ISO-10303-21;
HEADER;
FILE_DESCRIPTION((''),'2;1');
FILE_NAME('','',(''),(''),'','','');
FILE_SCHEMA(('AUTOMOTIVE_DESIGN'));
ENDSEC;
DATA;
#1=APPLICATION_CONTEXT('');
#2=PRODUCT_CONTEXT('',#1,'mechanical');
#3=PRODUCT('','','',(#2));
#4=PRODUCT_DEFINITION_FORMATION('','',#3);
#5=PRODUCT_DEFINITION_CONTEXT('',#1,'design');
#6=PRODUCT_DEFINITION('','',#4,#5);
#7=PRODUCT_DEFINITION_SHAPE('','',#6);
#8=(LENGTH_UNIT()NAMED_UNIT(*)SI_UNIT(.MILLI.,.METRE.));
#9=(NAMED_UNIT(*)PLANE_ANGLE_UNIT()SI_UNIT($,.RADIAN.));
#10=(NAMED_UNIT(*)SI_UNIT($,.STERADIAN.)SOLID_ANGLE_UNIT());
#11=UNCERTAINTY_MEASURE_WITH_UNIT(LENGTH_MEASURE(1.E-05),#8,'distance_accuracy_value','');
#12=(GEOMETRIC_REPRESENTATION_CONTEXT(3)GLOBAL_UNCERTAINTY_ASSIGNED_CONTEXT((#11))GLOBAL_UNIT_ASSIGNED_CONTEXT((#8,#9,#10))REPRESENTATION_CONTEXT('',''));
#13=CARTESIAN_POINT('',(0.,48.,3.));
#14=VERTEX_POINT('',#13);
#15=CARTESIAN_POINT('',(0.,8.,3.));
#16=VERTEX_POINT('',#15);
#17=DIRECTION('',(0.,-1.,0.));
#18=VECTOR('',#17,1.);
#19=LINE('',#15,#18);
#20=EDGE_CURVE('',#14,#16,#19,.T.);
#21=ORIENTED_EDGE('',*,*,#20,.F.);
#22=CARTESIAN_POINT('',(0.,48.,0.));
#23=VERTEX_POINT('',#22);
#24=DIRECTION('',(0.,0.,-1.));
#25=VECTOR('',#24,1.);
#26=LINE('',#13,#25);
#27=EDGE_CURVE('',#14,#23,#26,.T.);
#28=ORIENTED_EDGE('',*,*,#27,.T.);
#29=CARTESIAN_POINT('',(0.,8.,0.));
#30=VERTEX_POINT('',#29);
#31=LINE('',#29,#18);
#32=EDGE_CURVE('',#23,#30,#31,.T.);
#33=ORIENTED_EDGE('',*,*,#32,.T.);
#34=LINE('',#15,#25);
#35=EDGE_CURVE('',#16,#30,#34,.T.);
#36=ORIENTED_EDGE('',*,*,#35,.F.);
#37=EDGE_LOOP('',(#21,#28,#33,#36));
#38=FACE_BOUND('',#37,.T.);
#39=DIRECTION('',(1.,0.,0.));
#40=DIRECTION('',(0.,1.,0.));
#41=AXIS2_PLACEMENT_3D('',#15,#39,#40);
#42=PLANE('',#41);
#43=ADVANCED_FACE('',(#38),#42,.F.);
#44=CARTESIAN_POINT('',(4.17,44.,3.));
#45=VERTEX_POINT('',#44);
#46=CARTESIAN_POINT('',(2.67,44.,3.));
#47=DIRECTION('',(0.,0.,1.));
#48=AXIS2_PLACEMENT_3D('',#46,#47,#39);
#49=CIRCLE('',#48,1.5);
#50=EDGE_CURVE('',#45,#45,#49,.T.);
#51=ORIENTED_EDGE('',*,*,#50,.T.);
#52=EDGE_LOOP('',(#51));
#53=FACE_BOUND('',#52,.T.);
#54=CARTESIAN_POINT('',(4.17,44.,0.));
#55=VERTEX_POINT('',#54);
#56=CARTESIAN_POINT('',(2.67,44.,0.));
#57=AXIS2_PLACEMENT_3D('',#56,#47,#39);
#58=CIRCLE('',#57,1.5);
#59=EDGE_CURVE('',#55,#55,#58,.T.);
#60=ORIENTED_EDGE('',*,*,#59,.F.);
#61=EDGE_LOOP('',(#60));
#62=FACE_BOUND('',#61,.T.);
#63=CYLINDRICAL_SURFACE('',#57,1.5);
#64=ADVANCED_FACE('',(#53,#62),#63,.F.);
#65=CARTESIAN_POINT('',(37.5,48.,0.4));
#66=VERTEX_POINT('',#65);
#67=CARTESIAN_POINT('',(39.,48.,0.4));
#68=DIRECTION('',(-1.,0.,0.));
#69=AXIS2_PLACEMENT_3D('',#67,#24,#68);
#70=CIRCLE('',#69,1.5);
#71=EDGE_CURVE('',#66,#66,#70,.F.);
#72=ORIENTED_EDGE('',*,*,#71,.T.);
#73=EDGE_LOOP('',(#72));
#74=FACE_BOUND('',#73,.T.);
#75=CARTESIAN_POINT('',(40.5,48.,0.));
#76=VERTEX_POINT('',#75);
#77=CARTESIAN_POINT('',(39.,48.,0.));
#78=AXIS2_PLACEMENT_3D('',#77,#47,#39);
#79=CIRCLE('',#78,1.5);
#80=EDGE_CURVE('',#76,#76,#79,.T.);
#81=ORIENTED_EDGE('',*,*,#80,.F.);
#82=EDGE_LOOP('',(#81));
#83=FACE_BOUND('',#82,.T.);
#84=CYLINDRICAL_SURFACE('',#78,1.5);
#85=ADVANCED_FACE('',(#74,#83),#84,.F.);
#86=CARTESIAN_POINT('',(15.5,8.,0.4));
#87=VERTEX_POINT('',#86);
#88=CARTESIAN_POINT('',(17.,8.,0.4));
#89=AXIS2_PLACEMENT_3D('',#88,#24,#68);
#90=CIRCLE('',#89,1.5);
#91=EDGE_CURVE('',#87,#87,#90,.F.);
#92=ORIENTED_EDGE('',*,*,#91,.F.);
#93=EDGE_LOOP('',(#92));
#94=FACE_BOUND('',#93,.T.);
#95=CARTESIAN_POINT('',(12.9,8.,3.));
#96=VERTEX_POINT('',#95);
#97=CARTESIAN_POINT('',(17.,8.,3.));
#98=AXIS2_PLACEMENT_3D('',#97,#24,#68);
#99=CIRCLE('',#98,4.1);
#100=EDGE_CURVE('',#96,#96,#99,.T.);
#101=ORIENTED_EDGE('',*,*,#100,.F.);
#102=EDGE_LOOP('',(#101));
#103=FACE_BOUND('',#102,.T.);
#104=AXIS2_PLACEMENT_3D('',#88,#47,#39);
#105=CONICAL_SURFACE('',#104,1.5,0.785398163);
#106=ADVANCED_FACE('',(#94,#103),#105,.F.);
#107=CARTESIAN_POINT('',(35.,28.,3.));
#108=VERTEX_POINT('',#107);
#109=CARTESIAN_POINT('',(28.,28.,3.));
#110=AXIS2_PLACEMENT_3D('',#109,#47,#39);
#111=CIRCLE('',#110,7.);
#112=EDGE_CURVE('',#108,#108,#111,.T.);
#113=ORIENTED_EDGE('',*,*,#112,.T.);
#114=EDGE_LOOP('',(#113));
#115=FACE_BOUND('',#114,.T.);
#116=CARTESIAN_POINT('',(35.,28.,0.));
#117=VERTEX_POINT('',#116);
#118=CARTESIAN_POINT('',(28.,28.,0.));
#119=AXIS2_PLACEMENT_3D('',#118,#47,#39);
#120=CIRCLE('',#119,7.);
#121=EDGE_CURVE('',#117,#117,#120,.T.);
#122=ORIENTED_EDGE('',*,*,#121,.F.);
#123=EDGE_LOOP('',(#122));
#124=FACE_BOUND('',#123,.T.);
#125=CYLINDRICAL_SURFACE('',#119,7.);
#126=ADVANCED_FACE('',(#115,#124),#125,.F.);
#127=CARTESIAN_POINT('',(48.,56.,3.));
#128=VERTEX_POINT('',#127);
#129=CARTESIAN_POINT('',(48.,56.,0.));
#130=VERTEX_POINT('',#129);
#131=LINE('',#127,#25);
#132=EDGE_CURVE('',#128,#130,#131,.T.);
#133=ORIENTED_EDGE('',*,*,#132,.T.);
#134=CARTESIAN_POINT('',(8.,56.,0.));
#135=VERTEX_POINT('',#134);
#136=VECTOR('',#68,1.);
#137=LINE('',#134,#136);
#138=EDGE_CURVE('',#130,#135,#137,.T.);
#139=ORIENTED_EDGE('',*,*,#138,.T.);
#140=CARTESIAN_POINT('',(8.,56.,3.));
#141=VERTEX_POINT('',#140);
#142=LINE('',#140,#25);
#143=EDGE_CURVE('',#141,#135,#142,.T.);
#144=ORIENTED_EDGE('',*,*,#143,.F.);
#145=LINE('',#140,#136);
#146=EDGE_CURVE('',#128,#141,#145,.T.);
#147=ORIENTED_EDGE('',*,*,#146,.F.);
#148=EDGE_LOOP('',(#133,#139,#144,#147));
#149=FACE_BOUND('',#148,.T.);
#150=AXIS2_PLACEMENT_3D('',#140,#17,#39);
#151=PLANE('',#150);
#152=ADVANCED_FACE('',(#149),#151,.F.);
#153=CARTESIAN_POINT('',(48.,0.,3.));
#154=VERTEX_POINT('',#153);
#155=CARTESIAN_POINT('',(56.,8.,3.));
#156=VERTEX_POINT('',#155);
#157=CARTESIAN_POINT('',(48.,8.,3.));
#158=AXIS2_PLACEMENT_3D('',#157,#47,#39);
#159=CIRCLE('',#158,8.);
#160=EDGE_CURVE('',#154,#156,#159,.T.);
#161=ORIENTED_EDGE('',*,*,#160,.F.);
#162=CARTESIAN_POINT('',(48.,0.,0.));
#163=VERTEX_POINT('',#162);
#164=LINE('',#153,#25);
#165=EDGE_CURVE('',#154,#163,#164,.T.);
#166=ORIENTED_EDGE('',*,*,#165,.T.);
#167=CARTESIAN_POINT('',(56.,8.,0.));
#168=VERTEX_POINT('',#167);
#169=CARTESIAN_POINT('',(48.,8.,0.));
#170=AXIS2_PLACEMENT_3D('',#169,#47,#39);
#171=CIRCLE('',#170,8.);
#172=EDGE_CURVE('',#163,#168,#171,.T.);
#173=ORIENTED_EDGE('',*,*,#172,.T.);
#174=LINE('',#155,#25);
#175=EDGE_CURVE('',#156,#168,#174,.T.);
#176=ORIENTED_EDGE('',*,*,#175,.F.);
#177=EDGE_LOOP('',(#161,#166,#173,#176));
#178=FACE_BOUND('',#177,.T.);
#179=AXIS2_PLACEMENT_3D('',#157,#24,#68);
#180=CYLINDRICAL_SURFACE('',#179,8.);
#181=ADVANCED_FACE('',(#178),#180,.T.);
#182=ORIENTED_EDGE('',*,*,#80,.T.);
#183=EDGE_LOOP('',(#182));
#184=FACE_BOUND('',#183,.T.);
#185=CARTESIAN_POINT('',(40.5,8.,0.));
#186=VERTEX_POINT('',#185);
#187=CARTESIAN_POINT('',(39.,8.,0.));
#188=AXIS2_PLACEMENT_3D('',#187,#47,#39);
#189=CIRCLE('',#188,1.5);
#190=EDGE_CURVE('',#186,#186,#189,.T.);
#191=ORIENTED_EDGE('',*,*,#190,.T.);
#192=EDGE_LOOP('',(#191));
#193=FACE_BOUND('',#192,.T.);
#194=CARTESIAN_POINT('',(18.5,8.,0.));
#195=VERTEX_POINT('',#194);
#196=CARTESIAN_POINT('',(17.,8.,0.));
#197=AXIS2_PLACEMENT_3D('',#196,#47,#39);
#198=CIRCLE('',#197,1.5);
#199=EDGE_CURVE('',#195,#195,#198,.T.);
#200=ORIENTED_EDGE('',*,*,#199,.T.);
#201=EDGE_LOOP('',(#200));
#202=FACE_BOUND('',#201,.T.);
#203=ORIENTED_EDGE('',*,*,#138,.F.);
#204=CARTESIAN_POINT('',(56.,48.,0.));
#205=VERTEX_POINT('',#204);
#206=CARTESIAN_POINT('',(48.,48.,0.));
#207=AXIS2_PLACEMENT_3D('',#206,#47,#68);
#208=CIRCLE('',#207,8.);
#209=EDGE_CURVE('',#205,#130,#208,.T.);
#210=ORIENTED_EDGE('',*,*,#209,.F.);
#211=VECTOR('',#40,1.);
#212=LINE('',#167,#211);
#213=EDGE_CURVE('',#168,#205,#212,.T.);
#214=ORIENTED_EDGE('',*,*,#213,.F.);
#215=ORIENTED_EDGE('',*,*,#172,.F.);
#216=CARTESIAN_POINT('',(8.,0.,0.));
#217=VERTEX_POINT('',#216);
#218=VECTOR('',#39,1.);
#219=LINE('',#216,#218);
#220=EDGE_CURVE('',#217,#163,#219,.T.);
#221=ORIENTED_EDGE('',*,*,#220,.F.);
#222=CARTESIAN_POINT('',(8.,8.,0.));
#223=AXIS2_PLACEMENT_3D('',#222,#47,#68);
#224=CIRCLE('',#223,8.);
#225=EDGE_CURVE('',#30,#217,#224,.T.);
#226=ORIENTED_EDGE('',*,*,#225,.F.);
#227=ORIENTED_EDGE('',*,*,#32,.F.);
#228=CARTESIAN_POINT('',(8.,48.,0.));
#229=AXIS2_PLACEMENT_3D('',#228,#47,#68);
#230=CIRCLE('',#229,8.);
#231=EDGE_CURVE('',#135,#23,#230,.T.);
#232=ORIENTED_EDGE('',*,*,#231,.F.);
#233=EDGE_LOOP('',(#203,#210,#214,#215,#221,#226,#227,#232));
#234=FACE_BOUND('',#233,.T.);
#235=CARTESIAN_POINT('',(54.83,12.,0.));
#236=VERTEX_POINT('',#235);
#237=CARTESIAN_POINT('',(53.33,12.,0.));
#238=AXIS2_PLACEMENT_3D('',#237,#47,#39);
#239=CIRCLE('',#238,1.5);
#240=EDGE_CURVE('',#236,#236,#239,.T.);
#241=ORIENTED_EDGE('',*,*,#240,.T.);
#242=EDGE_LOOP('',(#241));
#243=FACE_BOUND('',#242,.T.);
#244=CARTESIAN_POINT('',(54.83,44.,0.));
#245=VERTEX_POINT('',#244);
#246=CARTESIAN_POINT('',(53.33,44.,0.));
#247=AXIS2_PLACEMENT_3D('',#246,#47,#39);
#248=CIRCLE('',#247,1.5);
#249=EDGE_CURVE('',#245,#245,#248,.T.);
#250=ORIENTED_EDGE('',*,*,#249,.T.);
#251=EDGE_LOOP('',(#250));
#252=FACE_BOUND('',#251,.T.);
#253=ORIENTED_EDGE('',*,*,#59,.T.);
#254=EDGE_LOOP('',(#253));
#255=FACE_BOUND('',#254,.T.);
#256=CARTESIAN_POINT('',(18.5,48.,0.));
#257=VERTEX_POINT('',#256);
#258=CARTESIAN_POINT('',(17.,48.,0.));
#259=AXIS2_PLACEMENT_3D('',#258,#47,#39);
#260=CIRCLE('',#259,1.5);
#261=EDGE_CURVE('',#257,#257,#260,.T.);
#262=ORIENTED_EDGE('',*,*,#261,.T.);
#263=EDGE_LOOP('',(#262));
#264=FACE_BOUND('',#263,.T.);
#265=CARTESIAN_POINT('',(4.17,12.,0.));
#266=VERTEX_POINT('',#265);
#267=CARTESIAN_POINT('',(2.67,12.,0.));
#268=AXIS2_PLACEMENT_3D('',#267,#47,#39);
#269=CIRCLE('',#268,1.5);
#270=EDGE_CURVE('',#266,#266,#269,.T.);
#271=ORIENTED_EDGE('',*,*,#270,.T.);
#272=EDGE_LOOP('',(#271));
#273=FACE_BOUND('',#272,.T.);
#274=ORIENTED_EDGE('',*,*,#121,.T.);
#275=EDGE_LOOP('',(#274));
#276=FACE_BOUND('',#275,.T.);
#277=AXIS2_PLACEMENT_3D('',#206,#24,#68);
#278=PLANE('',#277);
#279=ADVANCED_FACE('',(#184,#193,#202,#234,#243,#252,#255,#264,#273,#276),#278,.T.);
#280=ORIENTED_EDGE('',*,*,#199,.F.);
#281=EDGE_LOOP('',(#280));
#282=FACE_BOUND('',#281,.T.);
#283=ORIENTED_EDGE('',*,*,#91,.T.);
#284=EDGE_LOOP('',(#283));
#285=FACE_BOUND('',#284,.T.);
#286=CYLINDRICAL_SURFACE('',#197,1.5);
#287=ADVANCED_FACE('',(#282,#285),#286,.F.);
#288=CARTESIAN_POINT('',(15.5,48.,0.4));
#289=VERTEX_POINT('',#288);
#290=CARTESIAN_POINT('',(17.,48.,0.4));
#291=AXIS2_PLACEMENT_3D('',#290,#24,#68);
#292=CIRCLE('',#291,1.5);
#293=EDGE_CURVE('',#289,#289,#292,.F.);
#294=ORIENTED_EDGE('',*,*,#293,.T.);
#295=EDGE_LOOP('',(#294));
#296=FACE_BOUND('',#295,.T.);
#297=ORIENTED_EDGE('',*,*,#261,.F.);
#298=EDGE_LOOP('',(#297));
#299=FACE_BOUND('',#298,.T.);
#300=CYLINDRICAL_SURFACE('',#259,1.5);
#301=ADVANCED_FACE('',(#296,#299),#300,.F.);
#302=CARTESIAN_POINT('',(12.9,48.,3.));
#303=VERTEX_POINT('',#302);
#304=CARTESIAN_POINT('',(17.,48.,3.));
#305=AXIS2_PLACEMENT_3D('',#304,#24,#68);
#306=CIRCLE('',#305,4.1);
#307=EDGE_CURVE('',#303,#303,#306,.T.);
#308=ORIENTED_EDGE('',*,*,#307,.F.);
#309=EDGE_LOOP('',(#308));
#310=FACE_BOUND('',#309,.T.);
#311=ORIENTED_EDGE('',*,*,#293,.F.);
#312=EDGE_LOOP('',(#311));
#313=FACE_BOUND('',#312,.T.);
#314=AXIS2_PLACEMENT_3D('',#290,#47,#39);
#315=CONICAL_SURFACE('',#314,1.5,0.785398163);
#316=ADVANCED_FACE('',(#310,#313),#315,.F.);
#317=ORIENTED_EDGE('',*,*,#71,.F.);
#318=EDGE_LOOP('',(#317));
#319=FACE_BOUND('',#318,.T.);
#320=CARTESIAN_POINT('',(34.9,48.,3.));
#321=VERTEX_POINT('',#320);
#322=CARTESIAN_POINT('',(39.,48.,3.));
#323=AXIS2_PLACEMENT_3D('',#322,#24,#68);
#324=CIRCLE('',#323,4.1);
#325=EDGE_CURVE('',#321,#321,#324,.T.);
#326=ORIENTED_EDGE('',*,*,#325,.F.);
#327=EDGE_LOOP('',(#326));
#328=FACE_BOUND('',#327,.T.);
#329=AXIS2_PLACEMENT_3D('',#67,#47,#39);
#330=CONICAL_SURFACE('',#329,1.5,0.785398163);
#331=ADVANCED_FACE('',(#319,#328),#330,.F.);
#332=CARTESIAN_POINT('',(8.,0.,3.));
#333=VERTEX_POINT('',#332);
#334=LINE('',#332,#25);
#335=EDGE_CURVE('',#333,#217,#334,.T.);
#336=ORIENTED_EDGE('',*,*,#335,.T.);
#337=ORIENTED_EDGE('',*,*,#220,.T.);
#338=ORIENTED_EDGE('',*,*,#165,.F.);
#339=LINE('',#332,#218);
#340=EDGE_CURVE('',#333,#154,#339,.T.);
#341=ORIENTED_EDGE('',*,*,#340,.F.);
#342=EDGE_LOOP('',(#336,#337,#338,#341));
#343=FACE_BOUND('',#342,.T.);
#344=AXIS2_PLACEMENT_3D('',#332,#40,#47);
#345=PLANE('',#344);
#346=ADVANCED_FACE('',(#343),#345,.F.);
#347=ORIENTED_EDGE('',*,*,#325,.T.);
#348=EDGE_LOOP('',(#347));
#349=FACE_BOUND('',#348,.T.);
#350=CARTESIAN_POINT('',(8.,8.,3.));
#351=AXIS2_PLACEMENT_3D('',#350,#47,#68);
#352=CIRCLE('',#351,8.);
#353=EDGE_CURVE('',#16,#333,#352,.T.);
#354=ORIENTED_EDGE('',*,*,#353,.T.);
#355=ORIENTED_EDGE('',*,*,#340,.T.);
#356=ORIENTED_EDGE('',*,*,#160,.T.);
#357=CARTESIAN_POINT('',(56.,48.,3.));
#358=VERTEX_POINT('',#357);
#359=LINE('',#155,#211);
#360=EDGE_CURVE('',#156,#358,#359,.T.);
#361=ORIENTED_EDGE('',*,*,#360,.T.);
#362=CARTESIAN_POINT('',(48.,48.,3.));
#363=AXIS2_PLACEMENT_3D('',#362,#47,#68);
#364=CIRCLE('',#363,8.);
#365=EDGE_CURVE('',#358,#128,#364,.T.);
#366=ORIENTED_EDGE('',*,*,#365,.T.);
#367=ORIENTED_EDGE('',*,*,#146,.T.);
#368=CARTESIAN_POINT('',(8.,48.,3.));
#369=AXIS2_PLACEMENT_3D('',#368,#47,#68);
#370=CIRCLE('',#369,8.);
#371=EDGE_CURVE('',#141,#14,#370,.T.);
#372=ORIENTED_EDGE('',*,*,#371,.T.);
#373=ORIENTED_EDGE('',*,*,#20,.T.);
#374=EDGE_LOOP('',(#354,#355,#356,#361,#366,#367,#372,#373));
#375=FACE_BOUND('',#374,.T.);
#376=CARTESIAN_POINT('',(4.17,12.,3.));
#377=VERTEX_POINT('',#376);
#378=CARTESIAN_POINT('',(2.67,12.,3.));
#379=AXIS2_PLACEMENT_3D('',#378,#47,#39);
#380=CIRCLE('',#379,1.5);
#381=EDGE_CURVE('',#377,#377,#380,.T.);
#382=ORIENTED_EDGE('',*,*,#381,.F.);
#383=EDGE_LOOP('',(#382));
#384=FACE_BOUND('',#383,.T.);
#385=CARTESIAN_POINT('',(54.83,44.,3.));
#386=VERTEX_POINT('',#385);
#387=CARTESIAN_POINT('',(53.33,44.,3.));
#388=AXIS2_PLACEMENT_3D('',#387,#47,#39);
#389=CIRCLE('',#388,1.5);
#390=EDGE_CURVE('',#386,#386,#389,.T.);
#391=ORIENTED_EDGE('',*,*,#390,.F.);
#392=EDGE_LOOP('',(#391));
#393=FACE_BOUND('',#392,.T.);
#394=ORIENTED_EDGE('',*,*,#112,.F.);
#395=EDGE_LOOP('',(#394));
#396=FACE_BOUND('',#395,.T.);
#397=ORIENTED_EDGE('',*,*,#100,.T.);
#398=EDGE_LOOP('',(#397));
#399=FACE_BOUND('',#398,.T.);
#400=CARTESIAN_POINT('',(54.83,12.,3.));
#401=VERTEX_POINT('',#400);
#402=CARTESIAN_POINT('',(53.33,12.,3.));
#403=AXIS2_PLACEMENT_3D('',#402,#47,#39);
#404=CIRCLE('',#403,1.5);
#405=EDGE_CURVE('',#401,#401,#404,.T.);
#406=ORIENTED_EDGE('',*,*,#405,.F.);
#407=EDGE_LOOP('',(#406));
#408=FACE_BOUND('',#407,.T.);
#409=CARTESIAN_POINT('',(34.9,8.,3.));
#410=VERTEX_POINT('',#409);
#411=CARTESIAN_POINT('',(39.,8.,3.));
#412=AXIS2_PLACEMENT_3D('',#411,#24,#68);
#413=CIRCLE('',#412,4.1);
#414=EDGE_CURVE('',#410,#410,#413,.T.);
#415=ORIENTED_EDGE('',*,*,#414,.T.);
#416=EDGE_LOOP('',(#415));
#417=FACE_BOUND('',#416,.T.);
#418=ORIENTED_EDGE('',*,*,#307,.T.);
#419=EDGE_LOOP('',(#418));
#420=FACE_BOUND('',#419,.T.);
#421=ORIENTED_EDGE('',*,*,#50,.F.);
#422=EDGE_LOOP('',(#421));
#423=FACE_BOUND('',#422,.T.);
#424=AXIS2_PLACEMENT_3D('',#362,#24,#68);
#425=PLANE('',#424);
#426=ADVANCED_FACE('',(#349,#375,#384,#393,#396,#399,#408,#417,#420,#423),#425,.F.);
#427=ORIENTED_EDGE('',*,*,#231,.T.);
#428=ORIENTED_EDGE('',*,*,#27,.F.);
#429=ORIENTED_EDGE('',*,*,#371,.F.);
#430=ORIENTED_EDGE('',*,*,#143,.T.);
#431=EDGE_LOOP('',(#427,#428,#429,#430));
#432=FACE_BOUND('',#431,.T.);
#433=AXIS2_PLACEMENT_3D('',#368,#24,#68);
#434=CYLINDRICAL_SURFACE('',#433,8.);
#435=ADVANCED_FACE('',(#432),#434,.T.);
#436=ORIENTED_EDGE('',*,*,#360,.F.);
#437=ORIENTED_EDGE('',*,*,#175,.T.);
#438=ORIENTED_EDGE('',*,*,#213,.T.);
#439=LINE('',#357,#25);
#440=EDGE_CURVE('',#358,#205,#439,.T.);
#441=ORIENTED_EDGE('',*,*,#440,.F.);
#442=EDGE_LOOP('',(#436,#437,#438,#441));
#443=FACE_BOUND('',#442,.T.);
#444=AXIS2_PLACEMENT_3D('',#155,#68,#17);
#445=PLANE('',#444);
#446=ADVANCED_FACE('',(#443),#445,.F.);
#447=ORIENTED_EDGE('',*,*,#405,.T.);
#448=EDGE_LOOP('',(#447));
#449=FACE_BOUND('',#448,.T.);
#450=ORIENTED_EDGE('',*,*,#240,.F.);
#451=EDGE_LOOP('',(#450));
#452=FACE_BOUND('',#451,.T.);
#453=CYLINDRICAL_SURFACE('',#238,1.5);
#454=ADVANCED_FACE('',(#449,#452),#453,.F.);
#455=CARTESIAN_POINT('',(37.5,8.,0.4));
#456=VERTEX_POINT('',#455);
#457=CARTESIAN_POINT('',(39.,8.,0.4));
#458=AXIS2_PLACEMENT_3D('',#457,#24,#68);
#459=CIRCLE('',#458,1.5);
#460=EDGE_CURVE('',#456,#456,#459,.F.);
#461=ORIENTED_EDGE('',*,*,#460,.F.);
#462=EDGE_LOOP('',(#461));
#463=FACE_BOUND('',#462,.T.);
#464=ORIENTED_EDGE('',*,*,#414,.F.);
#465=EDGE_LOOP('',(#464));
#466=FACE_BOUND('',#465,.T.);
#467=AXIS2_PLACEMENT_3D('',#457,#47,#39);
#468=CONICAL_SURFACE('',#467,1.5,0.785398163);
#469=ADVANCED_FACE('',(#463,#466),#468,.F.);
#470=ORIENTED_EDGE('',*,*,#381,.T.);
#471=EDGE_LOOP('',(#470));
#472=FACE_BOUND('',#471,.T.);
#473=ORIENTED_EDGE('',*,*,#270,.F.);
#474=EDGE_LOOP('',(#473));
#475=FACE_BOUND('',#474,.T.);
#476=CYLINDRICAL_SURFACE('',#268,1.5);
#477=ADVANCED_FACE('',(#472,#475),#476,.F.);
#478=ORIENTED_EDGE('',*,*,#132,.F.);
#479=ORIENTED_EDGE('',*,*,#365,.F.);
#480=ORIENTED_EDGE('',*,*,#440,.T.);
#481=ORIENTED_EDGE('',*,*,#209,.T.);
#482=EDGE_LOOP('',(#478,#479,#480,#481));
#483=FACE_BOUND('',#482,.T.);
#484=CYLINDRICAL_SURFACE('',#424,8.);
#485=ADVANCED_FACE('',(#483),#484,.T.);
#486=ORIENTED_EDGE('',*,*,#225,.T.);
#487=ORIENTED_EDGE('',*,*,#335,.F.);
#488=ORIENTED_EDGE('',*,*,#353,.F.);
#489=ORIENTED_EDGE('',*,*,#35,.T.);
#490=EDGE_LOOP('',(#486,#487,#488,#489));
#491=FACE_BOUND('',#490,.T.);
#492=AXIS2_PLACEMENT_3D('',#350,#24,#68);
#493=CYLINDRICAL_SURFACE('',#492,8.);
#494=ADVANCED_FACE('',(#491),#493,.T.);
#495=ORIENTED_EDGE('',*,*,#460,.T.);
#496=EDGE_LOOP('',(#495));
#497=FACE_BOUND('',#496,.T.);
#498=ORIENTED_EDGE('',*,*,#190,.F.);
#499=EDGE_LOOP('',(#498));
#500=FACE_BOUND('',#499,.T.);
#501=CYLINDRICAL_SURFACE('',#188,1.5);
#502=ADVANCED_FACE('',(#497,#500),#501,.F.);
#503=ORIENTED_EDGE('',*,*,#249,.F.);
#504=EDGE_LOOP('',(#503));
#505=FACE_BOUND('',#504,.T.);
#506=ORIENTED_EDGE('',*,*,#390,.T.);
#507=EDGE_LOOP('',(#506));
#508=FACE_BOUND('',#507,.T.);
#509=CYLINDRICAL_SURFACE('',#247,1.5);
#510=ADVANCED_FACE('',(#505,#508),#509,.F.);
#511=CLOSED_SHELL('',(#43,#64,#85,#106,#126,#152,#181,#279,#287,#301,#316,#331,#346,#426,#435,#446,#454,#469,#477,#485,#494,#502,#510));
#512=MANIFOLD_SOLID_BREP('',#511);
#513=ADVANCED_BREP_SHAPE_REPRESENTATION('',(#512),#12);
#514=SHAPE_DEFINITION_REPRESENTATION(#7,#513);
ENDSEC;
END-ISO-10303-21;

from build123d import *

# Parameters (mm, degrees)
EXTRUDE_1_DEPTH     = 3
SKETCH_2_R          = 7
CUT_EXTRUDE_1_DEPTH = 80.252760204
SKETCH_3_R          = 1.5
CUT_EXTRUDE_2_DEPTH = 80.252760204
SKETCH_4_R          = 1.5
CUT_EXTRUDE_3_DEPTH = 80.252760204
CHAMFER_1_SIZE      = 2.6


with BuildPart() as part:
    # Эскиз1 → Бобышка-Вытянуть1 (new body)
    with BuildSketch(Plane.XY):
        with BuildLine():
            Line((8, 0), (48, 0))
            ThreePointArc((48, 0), (53.656854249, 2.343145751), (56, 8))
            Line((56, 8), (56, 48))
            ThreePointArc((56, 48), (53.656854249, 53.656854249), (48, 56))
            Line((48, 56), (8, 56))
            ThreePointArc((8, 56), (2.343145751, 53.656854249), (0, 48))
            Line((0, 48), (0, 8))
            ThreePointArc((0, 8), (2.343145751, 2.343145751), (8, 0))
        make_face()
    extrude(amount=EXTRUDE_1_DEPTH)

    # Эскиз2 → Вырез-Вытянуть1 (cut, through all)
    with BuildSketch(Plane.XY.offset(3)):
        with Locations((28, 28)):
            Circle(SKETCH_2_R)
    extrude(amount=-CUT_EXTRUDE_1_DEPTH, mode=Mode.SUBTRACT)

    # Эскиз3 → Вырез-Вытянуть2 (cut, through all)
    with BuildSketch(Plane.XY.offset(3)):
        with Locations((2.67, 12)):
            Circle(SKETCH_3_R)
        with Locations((53.33, 12)):
            Circle(SKETCH_3_R)
        with Locations((53.33, 44)):
            Circle(SKETCH_3_R)
        with Locations((2.67, 44)):
            Circle(SKETCH_3_R)
    extrude(amount=-CUT_EXTRUDE_2_DEPTH, mode=Mode.SUBTRACT)

    # Эскиз4 → Вырез-Вытянуть3 (cut, through all)
    with BuildSketch(Plane.XY.offset(3)):
        with Locations((17, 8)):
            Circle(SKETCH_4_R)
        with Locations((39, 8)):
            Circle(SKETCH_4_R)
        with Locations((39, 48)):
            Circle(SKETCH_4_R)
        with Locations((17, 48)):
            Circle(SKETCH_4_R)
    extrude(amount=-CUT_EXTRUDE_3_DEPTH, mode=Mode.SUBTRACT)

    # Фаска1
    chamfer_1_edges = [part.edges().sort_by_distance(p)[0] for p in [
        (15.5, 48, 3),
        (37.5, 48, 3),
        (37.5, 8, 3),
        (15.5, 8, 3),
    ]]
    chamfer(chamfer_1_edges, length=CHAMFER_1_SIZE)


solid = part.part
